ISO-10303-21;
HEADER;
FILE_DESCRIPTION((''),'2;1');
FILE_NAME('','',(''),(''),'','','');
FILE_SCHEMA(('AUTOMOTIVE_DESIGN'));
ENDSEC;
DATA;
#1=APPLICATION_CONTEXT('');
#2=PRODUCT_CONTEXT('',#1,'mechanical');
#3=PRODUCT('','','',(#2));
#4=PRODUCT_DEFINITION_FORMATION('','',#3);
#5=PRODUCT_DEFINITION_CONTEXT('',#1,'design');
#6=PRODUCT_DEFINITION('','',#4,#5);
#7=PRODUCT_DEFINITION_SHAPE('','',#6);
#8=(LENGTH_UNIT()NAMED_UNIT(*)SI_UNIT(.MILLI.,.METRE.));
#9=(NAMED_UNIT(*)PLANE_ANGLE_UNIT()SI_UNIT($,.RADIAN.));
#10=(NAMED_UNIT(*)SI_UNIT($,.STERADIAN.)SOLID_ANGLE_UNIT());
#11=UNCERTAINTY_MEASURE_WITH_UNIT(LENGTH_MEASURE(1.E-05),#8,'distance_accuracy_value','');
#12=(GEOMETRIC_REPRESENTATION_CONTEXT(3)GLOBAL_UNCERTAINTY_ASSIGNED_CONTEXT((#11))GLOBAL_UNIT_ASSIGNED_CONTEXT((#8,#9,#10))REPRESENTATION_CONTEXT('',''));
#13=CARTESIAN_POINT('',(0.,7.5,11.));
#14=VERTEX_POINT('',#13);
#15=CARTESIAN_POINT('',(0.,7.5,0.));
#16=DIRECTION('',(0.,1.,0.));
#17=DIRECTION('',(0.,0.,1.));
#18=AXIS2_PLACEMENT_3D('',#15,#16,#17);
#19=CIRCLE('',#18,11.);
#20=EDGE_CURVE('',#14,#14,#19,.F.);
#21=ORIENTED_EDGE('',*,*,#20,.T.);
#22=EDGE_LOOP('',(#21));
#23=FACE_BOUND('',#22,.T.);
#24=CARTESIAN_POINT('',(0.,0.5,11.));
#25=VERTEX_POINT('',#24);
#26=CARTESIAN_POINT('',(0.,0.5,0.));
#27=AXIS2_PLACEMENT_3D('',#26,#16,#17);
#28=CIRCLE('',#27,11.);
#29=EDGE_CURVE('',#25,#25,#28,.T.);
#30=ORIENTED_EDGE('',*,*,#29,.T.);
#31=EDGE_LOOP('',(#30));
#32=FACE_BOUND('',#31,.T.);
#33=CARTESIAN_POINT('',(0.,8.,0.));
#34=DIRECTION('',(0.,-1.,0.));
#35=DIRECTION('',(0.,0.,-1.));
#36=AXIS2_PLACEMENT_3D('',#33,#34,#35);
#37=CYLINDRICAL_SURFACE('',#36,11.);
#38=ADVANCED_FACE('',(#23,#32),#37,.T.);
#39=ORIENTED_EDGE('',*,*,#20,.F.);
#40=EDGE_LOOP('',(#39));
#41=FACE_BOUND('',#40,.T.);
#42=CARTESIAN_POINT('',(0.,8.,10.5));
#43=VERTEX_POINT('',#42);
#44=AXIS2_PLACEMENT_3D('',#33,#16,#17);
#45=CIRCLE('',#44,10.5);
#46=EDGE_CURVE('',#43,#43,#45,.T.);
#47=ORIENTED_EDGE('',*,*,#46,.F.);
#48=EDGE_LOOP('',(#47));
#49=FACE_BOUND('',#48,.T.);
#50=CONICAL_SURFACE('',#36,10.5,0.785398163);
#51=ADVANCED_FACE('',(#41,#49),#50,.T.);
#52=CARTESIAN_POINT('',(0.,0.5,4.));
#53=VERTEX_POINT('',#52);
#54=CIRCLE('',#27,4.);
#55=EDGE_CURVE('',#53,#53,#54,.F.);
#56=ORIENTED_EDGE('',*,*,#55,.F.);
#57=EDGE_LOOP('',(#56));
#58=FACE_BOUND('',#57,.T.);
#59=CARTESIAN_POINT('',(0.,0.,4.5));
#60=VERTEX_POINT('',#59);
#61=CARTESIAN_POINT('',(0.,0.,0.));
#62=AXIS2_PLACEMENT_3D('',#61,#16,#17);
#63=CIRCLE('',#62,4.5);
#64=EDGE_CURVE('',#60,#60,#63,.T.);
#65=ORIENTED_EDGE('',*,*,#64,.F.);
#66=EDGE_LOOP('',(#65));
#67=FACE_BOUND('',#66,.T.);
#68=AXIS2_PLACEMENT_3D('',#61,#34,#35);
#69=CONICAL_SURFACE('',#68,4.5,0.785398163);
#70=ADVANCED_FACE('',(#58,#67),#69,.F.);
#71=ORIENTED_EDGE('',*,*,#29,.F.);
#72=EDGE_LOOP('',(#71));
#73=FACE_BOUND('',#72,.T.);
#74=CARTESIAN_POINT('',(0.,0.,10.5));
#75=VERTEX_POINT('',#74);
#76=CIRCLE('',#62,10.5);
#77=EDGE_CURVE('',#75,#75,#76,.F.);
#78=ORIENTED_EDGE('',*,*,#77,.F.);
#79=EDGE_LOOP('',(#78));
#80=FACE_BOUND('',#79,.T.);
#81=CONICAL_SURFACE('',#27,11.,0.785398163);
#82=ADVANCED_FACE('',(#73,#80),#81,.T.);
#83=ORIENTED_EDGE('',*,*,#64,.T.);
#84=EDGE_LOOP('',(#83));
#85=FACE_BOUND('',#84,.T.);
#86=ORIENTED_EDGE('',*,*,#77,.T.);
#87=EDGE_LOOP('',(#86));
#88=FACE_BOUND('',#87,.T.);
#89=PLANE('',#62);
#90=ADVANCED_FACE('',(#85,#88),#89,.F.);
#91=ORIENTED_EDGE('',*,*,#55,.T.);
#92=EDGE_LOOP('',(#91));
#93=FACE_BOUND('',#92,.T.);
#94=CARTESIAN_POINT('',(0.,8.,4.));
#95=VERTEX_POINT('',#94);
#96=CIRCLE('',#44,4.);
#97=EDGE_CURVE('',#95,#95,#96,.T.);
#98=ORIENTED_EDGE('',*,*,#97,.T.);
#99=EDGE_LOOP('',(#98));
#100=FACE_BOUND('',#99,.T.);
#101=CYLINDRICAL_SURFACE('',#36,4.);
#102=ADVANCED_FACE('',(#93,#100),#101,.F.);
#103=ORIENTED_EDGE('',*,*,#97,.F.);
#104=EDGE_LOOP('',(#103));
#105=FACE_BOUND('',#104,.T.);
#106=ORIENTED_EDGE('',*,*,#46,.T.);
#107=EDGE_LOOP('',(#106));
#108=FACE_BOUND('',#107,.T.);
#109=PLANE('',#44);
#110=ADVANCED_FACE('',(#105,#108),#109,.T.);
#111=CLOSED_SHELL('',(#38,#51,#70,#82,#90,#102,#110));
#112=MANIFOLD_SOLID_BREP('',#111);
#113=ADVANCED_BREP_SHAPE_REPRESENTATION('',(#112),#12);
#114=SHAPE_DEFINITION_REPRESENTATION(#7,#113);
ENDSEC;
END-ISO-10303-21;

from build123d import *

# Parameters (mm, degrees)
SKETCH1_R           = 11
SKETCH1_R_2         = 4
BOSS_EXTRUDE1_DEPTH = 8
CHAMFER1_SIZE       = 0.5


with BuildPart() as part:
    # Sketch1 → Boss-Extrude1 (new body)
    with BuildSketch(Plane(origin=(0, 0, 0), x_dir=(1, 0, 0), z_dir=(0, 1, 0))):
        with Locations(Location((0, 0, 0), (0, 0, 270))):
            Circle(SKETCH1_R)
        with Locations(Location((0, 0, 0), (0, 0, 270))):
            Circle(SKETCH1_R_2, mode=Mode.SUBTRACT)
    extrude(amount=BOSS_EXTRUDE1_DEPTH)

    # Chamfer1
    chamfer1_edges = [part.edges().sort_by_distance(p)[0] for p in [
        (0, 0, -11),
        (0, 8, -11),
        (0, 0, -4),
    ]]
    chamfer(chamfer1_edges, length=CHAMFER1_SIZE)


solid = part.part
